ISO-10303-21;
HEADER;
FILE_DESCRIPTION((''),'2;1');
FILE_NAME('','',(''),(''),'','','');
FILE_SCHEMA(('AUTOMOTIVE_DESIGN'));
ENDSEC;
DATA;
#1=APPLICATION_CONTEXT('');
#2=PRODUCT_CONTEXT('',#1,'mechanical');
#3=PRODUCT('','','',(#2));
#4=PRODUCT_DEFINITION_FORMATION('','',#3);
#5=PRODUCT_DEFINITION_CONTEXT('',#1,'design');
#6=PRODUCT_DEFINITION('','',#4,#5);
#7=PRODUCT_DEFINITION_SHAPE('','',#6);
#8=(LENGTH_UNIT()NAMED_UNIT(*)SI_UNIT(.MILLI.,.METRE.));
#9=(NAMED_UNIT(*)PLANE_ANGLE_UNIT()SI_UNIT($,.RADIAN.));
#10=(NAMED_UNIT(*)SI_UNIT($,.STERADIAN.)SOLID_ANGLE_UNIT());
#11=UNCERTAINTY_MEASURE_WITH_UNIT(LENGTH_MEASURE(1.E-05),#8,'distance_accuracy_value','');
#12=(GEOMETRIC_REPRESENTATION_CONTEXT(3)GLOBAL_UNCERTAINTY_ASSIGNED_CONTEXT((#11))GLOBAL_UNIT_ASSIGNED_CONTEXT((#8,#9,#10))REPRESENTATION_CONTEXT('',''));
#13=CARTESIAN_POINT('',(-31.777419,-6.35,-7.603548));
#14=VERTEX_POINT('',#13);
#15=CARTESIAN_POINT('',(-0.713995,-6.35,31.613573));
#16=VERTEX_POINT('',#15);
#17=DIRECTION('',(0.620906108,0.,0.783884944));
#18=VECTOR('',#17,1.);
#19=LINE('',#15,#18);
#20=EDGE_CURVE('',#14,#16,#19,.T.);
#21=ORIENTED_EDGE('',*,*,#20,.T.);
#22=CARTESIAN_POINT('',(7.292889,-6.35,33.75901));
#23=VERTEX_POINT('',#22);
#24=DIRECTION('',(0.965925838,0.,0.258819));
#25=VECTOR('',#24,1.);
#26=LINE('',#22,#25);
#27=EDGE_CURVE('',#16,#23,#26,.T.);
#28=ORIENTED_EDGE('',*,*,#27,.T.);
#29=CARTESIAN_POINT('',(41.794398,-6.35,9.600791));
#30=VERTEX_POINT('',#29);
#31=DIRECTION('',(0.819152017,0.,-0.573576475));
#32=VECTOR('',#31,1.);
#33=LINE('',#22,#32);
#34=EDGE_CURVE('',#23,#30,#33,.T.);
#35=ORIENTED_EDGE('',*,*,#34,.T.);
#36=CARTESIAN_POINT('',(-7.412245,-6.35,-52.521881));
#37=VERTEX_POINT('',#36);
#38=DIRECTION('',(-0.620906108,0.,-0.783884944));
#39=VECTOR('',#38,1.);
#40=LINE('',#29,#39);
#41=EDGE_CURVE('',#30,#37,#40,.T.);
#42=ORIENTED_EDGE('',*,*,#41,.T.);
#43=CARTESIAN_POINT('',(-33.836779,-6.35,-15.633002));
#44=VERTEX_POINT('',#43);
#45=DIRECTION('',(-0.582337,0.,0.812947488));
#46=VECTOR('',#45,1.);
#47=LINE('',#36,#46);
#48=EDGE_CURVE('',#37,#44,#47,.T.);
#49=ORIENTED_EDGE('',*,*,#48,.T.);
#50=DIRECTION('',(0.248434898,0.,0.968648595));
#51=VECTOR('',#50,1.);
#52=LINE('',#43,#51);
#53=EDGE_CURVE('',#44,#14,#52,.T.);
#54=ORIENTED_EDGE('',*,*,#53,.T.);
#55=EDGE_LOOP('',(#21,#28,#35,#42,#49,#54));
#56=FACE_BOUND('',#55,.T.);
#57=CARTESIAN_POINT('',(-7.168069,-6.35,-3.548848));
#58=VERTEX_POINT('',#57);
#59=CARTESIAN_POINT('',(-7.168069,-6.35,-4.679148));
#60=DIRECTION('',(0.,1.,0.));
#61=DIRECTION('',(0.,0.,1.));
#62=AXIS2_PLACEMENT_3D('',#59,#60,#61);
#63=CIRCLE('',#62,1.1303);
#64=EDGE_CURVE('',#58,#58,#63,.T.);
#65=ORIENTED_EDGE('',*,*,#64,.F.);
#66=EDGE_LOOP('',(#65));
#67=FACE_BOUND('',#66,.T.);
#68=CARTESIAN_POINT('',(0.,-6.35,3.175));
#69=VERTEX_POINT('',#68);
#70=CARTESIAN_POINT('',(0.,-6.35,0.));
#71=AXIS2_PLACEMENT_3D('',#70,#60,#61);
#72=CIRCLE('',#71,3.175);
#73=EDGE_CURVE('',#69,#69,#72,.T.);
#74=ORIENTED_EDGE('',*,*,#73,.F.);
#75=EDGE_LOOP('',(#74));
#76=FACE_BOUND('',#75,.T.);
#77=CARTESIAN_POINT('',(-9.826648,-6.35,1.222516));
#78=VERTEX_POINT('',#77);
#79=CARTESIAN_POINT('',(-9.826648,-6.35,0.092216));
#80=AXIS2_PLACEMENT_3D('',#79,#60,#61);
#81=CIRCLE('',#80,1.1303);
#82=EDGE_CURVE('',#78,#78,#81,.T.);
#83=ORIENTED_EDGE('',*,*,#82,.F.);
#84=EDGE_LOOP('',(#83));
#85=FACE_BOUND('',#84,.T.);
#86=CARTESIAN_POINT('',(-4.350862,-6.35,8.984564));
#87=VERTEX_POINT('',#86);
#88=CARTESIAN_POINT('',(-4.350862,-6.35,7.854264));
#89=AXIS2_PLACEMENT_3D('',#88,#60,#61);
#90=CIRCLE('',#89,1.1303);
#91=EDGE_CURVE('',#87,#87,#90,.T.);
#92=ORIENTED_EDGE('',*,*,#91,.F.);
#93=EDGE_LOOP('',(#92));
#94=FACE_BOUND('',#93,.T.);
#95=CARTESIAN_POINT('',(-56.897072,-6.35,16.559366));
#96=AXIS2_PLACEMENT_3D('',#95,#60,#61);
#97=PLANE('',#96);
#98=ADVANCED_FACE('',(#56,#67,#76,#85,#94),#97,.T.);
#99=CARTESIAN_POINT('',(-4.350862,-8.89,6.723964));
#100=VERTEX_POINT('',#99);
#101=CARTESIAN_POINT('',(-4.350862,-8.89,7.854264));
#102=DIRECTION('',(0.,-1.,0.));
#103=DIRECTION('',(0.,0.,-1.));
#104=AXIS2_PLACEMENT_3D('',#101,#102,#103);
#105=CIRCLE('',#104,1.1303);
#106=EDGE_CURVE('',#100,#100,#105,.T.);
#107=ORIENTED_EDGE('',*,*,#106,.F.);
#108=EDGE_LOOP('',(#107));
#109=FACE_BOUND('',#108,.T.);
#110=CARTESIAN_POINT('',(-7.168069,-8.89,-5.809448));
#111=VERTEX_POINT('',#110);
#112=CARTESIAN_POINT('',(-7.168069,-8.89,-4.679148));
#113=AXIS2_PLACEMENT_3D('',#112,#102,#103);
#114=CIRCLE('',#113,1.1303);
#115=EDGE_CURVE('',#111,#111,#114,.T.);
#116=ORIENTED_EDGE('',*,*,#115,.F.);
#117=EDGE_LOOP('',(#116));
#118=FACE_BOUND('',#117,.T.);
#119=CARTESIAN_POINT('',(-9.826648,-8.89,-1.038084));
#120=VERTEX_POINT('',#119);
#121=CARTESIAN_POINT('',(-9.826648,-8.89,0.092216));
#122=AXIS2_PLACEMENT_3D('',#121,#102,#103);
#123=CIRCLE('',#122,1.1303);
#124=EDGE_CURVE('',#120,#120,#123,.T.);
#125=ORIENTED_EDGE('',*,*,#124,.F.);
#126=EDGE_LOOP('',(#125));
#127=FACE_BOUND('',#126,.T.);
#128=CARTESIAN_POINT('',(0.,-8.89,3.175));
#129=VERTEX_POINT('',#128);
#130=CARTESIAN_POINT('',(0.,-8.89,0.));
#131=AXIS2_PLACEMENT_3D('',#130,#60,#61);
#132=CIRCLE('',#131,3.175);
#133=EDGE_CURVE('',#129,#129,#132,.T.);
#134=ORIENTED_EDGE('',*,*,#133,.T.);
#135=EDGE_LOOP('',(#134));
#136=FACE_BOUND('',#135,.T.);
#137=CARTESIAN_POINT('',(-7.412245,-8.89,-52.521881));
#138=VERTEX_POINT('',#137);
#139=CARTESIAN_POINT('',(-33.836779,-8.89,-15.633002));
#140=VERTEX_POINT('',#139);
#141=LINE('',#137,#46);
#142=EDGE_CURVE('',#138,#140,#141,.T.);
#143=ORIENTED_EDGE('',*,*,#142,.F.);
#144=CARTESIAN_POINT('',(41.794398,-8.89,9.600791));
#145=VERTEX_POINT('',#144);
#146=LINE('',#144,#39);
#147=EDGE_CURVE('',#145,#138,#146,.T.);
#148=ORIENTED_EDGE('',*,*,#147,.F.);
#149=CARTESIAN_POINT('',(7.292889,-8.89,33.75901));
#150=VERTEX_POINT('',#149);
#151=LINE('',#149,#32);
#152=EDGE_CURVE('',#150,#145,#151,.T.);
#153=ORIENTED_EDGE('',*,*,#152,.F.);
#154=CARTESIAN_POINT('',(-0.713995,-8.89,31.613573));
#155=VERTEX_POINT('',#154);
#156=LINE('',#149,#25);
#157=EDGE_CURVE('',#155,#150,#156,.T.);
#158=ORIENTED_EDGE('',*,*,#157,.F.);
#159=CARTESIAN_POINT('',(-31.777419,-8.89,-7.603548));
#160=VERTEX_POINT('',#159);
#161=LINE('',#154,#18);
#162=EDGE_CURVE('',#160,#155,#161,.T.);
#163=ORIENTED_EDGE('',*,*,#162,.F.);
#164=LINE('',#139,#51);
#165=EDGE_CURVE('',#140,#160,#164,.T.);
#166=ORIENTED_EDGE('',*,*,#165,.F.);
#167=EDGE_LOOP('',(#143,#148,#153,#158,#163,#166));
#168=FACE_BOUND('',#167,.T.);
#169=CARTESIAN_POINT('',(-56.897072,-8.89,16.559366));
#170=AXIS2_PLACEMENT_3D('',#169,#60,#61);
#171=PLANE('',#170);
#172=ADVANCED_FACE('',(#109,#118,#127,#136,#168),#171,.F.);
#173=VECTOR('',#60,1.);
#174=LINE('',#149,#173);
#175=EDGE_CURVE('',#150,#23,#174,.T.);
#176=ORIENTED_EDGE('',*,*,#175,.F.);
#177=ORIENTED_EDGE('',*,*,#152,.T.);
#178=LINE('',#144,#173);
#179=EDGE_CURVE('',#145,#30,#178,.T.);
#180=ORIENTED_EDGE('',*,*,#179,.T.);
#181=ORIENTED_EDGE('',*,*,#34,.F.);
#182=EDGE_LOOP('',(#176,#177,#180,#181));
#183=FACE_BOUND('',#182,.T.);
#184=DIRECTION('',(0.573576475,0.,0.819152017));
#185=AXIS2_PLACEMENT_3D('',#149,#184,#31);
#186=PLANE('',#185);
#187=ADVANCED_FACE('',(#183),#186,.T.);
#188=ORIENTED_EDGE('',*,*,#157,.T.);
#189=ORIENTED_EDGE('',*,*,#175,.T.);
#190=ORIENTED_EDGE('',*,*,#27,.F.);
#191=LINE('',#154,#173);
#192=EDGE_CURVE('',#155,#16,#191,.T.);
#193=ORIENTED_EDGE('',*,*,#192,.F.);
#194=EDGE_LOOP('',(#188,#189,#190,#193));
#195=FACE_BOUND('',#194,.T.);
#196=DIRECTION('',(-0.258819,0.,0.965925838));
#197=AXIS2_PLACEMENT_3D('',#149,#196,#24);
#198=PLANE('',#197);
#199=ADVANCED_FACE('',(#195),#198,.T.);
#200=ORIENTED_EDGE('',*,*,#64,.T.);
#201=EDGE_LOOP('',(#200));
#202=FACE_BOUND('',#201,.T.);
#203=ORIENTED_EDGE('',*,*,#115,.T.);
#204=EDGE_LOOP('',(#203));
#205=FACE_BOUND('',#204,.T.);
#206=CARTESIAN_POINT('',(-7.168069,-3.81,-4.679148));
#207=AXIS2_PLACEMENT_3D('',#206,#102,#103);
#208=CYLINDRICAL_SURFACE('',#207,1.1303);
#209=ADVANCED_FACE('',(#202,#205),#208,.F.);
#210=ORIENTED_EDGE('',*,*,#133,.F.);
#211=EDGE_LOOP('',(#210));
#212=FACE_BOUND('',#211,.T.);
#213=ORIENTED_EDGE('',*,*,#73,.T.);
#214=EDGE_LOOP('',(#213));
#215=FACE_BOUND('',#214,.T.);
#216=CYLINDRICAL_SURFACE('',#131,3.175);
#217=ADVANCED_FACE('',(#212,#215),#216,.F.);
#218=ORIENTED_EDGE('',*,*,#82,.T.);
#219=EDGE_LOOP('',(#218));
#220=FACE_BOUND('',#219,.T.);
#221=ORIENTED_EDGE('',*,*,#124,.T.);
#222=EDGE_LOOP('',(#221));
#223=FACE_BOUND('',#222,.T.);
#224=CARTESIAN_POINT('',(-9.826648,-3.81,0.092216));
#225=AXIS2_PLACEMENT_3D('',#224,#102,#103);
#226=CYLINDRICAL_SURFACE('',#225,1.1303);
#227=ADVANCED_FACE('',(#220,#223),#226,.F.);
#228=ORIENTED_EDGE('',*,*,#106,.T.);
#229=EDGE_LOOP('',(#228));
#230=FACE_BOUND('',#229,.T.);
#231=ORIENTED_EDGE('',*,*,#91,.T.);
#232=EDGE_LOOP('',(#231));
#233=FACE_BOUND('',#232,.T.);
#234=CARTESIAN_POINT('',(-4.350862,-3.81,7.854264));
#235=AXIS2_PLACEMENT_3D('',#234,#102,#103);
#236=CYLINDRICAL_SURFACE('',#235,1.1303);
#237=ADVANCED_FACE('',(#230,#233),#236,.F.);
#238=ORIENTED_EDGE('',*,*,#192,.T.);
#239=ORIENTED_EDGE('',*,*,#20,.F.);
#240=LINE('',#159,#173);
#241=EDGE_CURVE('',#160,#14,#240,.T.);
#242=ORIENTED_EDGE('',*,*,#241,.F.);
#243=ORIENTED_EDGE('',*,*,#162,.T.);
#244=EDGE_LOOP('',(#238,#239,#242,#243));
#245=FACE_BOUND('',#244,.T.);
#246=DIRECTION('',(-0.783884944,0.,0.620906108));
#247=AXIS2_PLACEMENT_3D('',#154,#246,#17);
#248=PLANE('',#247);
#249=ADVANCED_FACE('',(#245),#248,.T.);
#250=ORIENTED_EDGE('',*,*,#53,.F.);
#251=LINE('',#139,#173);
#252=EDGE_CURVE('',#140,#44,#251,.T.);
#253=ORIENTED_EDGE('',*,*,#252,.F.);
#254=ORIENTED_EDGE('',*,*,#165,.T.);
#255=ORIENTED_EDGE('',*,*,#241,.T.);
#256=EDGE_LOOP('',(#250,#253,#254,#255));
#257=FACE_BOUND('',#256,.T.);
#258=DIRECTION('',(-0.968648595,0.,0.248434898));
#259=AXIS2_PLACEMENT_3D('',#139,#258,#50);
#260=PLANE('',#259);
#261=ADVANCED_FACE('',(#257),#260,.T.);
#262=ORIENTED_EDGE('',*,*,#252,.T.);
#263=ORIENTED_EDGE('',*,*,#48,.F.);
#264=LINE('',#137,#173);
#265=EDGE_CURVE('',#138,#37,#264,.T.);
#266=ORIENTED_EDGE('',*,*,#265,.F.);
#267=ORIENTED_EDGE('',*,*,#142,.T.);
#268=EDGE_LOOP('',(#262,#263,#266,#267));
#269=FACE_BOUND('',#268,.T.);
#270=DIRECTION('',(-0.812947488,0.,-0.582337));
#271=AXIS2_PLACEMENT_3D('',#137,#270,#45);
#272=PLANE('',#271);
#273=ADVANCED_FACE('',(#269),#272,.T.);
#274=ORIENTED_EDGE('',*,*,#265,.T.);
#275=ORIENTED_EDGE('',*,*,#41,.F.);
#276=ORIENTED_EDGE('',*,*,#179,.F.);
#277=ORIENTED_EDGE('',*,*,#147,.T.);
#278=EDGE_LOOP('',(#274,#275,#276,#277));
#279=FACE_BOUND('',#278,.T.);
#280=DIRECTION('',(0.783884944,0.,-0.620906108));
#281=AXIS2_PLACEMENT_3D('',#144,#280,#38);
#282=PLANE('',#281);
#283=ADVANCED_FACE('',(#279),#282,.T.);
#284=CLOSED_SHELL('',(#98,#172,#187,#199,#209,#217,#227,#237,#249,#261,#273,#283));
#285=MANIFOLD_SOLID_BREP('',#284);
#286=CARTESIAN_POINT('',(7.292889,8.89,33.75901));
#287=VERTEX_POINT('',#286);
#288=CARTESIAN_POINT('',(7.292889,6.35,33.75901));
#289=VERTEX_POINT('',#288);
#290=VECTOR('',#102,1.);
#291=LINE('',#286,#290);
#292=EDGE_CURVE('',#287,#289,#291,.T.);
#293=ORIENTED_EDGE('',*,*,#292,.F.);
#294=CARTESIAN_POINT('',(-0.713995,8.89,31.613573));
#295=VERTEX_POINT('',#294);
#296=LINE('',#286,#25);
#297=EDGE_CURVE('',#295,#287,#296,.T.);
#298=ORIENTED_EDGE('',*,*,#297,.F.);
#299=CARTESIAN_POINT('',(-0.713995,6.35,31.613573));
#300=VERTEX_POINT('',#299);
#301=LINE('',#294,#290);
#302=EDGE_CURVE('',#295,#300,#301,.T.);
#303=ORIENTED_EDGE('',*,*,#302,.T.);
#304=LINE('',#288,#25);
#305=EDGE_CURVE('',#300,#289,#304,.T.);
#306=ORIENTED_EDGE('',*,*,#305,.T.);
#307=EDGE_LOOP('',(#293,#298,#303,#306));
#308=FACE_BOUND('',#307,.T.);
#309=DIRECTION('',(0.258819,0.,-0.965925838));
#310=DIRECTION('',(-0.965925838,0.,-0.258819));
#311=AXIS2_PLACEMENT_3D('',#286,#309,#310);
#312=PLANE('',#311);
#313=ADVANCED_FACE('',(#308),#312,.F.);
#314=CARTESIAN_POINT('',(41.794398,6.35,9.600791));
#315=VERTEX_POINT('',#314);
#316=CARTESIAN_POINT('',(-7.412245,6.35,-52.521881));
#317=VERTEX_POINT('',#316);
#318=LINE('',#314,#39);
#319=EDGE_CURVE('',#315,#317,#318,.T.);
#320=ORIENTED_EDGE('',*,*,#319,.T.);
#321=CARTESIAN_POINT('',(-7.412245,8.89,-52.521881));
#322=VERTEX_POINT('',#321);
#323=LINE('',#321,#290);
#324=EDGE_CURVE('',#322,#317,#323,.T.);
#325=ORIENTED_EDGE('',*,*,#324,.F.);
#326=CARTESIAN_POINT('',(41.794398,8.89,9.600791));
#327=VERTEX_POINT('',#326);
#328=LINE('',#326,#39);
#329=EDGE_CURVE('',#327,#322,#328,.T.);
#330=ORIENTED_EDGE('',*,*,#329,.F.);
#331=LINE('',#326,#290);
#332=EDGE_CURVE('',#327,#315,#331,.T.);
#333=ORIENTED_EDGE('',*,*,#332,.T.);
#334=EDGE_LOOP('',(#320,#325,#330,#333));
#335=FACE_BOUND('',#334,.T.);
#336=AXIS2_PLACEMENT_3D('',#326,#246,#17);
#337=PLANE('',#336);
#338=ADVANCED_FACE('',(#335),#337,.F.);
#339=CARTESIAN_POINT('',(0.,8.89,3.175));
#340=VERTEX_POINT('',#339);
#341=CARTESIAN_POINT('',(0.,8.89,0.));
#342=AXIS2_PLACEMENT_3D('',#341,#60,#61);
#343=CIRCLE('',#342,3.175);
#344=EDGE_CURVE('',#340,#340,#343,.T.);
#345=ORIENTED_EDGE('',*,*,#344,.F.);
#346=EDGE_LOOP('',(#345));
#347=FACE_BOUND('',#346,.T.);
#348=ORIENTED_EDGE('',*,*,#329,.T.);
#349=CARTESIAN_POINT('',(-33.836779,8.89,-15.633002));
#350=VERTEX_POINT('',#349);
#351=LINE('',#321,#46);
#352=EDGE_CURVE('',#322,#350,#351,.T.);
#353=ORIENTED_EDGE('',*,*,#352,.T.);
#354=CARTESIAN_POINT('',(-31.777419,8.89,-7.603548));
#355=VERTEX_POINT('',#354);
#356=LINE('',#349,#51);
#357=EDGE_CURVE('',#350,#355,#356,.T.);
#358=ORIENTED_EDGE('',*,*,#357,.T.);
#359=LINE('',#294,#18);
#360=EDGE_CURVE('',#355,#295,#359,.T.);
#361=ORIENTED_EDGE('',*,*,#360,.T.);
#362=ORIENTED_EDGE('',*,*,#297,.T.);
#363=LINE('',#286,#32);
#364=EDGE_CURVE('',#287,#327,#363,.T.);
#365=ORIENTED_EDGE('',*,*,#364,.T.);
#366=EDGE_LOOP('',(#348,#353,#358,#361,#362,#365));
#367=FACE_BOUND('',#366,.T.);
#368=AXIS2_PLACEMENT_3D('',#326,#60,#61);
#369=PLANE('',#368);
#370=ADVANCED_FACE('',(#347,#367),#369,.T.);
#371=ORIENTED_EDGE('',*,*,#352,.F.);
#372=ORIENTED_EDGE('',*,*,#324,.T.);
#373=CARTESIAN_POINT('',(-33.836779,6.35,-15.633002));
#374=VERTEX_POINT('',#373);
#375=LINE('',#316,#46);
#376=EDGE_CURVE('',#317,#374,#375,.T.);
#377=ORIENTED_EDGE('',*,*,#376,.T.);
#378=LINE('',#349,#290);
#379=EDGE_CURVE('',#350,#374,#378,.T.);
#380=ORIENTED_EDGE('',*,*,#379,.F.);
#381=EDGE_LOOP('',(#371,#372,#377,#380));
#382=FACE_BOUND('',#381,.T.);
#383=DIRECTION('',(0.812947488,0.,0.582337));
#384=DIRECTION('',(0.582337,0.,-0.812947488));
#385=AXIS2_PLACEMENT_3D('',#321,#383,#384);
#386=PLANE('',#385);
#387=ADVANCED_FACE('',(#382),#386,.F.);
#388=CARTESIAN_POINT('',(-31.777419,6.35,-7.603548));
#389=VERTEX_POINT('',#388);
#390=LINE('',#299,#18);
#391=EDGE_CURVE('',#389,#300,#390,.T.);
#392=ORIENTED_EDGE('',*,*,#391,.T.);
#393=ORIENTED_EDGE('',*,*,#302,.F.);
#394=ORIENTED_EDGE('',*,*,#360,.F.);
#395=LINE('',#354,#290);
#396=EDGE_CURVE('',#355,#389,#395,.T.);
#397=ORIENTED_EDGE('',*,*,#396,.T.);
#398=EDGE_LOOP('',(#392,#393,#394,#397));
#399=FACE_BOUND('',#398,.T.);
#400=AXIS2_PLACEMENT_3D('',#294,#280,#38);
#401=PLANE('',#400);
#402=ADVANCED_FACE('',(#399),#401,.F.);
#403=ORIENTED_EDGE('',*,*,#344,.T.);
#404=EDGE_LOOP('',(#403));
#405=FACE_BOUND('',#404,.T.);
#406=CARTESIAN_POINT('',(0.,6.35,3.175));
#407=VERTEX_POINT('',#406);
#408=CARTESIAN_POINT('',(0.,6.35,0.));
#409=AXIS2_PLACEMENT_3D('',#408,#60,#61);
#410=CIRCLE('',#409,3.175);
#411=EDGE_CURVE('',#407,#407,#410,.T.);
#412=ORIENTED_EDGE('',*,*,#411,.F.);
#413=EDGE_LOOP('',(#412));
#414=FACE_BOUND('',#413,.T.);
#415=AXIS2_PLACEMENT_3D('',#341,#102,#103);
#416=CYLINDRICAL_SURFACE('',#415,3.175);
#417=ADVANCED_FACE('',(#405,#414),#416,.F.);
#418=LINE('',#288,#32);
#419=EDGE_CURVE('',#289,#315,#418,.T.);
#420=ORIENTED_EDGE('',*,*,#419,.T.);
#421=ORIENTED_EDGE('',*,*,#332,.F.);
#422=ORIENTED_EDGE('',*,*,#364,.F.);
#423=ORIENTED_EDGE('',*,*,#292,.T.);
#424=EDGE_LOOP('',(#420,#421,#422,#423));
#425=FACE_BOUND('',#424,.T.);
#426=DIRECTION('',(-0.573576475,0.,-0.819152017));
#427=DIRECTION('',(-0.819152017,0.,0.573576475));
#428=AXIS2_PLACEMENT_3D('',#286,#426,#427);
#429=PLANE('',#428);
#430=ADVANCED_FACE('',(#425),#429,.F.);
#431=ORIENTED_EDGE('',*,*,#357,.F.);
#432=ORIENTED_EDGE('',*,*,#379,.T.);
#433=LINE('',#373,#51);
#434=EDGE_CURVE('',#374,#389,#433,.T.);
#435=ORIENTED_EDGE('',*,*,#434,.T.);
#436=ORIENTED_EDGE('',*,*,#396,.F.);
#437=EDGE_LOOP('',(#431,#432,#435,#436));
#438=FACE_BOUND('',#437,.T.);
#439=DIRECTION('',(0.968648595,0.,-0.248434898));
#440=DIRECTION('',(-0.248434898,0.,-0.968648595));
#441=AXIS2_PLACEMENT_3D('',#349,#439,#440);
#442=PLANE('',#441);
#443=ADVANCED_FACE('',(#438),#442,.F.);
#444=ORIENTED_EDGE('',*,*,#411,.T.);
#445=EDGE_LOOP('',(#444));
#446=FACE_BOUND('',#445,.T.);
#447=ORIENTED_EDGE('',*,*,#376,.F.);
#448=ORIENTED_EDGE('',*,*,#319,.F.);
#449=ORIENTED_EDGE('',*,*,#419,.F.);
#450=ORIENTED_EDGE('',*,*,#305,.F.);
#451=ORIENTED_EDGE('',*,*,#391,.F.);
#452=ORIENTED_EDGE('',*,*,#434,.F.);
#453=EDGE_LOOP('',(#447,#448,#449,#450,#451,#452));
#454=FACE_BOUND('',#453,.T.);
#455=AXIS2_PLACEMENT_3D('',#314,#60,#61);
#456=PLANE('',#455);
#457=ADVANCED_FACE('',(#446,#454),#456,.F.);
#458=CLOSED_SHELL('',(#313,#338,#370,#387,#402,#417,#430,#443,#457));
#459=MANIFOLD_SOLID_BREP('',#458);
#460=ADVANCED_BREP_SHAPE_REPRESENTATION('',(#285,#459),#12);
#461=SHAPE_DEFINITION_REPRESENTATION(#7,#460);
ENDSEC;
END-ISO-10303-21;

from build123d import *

# Parameters (mm, degrees)
SKETCH2_R           = 3.175
BOSS_EXTRUDE2_DEPTH = 2.54
SKETCH4_R           = 3.175
BOSS_EXTRUDE3_DEPTH = 2.54
SKETCH5_R           = 1.1303
CUT_EXTRUDE1_DEPTH  = 5.08


with BuildPart() as part:
    # Sketch2 → Boss-Extrude2 (new body)
    with BuildSketch(Plane(origin=(0, 6.35, 0), x_dir=(-1, 0, 0), z_dir=(0, 1, 0))):
        Polygon((0.713995358, 31.613572635), (31.777418825, -7.603548367), (33.836779239, -15.633002319), (7.412244786, -52.521880964), (-41.794398071, 9.600791031), (-7.292888746, 33.759010361), align=None)
        with Locations(Location((0, 0, 0), (0, 0, 90))):
            Circle(SKETCH2_R, mode=Mode.SUBTRACT)
    extrude(amount=BOSS_EXTRUDE2_DEPTH)


with BuildPart() as body_2:
    # Sketch4 → Boss-Extrude3 (new body)
    with BuildSketch(Plane(origin=(0, -6.35, 0), x_dir=(-1, 0, 0), z_dir=(0, 1, 0))):
        Polygon((0.713995358, 31.613572635), (31.777418825, -7.603548367), (33.836779239, -15.633002319), (7.412244786, -52.521880964), (-41.794398071, 9.600791031), (-7.292888746, 33.759010361), align=None)
        with Locations(Location((0, 0, 0), (0, 0, 90))):
            Circle(SKETCH4_R, mode=Mode.SUBTRACT)
    extrude(amount=-BOSS_EXTRUDE3_DEPTH)

    # Sketch5 → Cut-Extrude1 (cut)
    with BuildSketch(Plane.XZ.offset(8.89)):
        with Locations(Location((-4.350861658, 7.854263646, 0), (0, 0, 270))):
            Circle(SKETCH5_R)
        with Locations(Location((-9.826647811, 0.092215782, 0), (0, 0, 270))):
            Circle(SKETCH5_R)
        with Locations(Location((-7.168068721, -4.679147899, 0), (0, 0, 270))):
            Circle(SKETCH5_R)
    extrude(amount=-CUT_EXTRUDE1_DEPTH, mode=Mode.SUBTRACT)


solid = Compound([part.part, body_2.part])
